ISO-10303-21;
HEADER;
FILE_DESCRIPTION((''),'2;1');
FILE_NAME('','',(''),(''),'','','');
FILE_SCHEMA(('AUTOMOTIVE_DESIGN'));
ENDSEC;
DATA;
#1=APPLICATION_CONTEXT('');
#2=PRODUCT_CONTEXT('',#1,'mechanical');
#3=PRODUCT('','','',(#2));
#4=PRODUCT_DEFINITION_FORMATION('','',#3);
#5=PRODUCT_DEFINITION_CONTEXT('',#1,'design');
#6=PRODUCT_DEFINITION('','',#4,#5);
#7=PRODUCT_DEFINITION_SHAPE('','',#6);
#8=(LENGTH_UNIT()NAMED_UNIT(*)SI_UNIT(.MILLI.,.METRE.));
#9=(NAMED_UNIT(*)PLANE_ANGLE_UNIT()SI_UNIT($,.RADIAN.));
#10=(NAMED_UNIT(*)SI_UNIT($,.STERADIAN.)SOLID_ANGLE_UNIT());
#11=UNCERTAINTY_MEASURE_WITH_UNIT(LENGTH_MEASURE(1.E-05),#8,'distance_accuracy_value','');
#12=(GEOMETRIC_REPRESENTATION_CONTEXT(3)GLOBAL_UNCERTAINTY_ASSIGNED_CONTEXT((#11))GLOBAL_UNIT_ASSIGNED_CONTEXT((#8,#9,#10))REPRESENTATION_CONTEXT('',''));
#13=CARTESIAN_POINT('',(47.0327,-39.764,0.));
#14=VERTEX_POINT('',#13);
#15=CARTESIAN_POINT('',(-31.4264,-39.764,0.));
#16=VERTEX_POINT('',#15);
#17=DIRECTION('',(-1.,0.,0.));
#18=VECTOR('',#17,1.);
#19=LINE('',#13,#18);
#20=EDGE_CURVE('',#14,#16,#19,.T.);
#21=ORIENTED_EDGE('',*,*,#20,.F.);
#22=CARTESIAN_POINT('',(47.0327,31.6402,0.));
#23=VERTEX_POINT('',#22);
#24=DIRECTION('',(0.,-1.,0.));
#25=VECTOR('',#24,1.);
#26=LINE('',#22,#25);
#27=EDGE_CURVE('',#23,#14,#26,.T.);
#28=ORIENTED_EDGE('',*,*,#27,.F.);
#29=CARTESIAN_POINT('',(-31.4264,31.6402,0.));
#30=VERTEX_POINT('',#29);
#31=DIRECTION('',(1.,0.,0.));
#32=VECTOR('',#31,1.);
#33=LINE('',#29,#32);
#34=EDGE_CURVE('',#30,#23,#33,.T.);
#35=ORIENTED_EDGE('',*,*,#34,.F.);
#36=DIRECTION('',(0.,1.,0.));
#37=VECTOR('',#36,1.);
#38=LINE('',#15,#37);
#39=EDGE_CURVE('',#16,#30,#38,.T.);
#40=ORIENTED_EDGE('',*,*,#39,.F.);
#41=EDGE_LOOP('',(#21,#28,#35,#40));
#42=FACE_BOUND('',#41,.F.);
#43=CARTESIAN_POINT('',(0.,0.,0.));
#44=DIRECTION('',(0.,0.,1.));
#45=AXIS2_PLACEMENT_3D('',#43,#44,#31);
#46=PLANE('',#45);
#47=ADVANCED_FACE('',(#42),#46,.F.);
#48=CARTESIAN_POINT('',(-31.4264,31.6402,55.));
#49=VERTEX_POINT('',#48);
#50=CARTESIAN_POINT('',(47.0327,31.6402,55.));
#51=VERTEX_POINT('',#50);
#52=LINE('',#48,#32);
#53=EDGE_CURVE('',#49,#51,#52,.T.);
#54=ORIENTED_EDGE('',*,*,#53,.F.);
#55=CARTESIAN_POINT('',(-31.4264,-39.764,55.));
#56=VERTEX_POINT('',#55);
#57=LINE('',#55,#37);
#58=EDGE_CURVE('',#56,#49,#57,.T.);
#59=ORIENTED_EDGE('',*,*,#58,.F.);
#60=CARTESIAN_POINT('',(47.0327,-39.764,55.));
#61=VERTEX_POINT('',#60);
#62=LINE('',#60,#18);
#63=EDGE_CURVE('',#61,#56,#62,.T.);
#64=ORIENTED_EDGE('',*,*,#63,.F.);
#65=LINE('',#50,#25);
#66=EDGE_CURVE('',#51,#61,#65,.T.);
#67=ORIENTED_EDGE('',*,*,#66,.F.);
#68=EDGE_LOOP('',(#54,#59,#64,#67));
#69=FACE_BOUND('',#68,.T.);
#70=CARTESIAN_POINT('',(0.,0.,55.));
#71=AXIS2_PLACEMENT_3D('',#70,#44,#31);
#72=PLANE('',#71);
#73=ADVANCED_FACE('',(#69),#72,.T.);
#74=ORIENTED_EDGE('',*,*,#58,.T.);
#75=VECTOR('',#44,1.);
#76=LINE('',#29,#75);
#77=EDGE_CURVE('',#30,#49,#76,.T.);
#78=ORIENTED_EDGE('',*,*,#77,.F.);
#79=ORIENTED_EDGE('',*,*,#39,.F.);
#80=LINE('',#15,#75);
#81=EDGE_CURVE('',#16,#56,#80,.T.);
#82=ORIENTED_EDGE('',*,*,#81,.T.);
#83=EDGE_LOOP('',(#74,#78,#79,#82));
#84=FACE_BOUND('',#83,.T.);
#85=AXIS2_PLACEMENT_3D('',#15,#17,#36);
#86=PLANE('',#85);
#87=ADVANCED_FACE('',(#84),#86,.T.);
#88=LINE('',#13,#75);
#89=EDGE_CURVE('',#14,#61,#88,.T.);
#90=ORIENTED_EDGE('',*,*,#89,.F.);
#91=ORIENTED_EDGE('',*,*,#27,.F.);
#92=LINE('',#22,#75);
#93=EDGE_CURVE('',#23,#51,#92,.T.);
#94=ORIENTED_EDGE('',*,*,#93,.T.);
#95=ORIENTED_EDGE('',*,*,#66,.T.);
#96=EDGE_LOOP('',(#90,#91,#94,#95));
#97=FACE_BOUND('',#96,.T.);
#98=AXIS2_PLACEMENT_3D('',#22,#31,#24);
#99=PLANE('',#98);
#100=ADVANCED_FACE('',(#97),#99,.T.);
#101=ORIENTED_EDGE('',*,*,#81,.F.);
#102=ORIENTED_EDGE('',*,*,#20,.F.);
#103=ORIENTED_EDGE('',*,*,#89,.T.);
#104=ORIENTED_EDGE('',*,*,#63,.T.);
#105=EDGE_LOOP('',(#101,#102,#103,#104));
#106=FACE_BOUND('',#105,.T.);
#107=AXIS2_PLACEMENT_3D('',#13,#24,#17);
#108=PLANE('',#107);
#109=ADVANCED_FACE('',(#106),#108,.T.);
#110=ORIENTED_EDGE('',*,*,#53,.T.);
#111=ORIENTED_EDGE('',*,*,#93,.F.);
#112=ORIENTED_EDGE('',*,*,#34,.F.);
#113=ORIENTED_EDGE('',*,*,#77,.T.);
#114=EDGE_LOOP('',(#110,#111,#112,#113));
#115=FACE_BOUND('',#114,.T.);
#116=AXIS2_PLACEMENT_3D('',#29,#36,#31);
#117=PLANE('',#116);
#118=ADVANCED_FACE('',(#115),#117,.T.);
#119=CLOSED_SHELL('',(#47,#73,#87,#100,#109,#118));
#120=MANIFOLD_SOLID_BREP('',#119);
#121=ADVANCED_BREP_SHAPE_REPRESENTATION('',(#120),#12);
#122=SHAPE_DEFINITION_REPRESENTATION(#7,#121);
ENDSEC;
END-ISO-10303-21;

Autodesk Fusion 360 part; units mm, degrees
sketch "Sketch1" plane through (0, 0, 0) normal (0, 0, 1) x (1, 0, 0)
  line L0 (-31.4264, 31.6402) -> (47.0327, 31.6402)
  line L1 (47.0327, 31.6402) -> (47.0327, -39.764)
  line L2 (47.0327, -39.764) -> (-31.4264, -39.764)
  line L3 (-31.4264, -39.764) -> (-31.4264, 31.6402)
extrude "Extrude1" add sketch "Sketch1" along normal blind 55
